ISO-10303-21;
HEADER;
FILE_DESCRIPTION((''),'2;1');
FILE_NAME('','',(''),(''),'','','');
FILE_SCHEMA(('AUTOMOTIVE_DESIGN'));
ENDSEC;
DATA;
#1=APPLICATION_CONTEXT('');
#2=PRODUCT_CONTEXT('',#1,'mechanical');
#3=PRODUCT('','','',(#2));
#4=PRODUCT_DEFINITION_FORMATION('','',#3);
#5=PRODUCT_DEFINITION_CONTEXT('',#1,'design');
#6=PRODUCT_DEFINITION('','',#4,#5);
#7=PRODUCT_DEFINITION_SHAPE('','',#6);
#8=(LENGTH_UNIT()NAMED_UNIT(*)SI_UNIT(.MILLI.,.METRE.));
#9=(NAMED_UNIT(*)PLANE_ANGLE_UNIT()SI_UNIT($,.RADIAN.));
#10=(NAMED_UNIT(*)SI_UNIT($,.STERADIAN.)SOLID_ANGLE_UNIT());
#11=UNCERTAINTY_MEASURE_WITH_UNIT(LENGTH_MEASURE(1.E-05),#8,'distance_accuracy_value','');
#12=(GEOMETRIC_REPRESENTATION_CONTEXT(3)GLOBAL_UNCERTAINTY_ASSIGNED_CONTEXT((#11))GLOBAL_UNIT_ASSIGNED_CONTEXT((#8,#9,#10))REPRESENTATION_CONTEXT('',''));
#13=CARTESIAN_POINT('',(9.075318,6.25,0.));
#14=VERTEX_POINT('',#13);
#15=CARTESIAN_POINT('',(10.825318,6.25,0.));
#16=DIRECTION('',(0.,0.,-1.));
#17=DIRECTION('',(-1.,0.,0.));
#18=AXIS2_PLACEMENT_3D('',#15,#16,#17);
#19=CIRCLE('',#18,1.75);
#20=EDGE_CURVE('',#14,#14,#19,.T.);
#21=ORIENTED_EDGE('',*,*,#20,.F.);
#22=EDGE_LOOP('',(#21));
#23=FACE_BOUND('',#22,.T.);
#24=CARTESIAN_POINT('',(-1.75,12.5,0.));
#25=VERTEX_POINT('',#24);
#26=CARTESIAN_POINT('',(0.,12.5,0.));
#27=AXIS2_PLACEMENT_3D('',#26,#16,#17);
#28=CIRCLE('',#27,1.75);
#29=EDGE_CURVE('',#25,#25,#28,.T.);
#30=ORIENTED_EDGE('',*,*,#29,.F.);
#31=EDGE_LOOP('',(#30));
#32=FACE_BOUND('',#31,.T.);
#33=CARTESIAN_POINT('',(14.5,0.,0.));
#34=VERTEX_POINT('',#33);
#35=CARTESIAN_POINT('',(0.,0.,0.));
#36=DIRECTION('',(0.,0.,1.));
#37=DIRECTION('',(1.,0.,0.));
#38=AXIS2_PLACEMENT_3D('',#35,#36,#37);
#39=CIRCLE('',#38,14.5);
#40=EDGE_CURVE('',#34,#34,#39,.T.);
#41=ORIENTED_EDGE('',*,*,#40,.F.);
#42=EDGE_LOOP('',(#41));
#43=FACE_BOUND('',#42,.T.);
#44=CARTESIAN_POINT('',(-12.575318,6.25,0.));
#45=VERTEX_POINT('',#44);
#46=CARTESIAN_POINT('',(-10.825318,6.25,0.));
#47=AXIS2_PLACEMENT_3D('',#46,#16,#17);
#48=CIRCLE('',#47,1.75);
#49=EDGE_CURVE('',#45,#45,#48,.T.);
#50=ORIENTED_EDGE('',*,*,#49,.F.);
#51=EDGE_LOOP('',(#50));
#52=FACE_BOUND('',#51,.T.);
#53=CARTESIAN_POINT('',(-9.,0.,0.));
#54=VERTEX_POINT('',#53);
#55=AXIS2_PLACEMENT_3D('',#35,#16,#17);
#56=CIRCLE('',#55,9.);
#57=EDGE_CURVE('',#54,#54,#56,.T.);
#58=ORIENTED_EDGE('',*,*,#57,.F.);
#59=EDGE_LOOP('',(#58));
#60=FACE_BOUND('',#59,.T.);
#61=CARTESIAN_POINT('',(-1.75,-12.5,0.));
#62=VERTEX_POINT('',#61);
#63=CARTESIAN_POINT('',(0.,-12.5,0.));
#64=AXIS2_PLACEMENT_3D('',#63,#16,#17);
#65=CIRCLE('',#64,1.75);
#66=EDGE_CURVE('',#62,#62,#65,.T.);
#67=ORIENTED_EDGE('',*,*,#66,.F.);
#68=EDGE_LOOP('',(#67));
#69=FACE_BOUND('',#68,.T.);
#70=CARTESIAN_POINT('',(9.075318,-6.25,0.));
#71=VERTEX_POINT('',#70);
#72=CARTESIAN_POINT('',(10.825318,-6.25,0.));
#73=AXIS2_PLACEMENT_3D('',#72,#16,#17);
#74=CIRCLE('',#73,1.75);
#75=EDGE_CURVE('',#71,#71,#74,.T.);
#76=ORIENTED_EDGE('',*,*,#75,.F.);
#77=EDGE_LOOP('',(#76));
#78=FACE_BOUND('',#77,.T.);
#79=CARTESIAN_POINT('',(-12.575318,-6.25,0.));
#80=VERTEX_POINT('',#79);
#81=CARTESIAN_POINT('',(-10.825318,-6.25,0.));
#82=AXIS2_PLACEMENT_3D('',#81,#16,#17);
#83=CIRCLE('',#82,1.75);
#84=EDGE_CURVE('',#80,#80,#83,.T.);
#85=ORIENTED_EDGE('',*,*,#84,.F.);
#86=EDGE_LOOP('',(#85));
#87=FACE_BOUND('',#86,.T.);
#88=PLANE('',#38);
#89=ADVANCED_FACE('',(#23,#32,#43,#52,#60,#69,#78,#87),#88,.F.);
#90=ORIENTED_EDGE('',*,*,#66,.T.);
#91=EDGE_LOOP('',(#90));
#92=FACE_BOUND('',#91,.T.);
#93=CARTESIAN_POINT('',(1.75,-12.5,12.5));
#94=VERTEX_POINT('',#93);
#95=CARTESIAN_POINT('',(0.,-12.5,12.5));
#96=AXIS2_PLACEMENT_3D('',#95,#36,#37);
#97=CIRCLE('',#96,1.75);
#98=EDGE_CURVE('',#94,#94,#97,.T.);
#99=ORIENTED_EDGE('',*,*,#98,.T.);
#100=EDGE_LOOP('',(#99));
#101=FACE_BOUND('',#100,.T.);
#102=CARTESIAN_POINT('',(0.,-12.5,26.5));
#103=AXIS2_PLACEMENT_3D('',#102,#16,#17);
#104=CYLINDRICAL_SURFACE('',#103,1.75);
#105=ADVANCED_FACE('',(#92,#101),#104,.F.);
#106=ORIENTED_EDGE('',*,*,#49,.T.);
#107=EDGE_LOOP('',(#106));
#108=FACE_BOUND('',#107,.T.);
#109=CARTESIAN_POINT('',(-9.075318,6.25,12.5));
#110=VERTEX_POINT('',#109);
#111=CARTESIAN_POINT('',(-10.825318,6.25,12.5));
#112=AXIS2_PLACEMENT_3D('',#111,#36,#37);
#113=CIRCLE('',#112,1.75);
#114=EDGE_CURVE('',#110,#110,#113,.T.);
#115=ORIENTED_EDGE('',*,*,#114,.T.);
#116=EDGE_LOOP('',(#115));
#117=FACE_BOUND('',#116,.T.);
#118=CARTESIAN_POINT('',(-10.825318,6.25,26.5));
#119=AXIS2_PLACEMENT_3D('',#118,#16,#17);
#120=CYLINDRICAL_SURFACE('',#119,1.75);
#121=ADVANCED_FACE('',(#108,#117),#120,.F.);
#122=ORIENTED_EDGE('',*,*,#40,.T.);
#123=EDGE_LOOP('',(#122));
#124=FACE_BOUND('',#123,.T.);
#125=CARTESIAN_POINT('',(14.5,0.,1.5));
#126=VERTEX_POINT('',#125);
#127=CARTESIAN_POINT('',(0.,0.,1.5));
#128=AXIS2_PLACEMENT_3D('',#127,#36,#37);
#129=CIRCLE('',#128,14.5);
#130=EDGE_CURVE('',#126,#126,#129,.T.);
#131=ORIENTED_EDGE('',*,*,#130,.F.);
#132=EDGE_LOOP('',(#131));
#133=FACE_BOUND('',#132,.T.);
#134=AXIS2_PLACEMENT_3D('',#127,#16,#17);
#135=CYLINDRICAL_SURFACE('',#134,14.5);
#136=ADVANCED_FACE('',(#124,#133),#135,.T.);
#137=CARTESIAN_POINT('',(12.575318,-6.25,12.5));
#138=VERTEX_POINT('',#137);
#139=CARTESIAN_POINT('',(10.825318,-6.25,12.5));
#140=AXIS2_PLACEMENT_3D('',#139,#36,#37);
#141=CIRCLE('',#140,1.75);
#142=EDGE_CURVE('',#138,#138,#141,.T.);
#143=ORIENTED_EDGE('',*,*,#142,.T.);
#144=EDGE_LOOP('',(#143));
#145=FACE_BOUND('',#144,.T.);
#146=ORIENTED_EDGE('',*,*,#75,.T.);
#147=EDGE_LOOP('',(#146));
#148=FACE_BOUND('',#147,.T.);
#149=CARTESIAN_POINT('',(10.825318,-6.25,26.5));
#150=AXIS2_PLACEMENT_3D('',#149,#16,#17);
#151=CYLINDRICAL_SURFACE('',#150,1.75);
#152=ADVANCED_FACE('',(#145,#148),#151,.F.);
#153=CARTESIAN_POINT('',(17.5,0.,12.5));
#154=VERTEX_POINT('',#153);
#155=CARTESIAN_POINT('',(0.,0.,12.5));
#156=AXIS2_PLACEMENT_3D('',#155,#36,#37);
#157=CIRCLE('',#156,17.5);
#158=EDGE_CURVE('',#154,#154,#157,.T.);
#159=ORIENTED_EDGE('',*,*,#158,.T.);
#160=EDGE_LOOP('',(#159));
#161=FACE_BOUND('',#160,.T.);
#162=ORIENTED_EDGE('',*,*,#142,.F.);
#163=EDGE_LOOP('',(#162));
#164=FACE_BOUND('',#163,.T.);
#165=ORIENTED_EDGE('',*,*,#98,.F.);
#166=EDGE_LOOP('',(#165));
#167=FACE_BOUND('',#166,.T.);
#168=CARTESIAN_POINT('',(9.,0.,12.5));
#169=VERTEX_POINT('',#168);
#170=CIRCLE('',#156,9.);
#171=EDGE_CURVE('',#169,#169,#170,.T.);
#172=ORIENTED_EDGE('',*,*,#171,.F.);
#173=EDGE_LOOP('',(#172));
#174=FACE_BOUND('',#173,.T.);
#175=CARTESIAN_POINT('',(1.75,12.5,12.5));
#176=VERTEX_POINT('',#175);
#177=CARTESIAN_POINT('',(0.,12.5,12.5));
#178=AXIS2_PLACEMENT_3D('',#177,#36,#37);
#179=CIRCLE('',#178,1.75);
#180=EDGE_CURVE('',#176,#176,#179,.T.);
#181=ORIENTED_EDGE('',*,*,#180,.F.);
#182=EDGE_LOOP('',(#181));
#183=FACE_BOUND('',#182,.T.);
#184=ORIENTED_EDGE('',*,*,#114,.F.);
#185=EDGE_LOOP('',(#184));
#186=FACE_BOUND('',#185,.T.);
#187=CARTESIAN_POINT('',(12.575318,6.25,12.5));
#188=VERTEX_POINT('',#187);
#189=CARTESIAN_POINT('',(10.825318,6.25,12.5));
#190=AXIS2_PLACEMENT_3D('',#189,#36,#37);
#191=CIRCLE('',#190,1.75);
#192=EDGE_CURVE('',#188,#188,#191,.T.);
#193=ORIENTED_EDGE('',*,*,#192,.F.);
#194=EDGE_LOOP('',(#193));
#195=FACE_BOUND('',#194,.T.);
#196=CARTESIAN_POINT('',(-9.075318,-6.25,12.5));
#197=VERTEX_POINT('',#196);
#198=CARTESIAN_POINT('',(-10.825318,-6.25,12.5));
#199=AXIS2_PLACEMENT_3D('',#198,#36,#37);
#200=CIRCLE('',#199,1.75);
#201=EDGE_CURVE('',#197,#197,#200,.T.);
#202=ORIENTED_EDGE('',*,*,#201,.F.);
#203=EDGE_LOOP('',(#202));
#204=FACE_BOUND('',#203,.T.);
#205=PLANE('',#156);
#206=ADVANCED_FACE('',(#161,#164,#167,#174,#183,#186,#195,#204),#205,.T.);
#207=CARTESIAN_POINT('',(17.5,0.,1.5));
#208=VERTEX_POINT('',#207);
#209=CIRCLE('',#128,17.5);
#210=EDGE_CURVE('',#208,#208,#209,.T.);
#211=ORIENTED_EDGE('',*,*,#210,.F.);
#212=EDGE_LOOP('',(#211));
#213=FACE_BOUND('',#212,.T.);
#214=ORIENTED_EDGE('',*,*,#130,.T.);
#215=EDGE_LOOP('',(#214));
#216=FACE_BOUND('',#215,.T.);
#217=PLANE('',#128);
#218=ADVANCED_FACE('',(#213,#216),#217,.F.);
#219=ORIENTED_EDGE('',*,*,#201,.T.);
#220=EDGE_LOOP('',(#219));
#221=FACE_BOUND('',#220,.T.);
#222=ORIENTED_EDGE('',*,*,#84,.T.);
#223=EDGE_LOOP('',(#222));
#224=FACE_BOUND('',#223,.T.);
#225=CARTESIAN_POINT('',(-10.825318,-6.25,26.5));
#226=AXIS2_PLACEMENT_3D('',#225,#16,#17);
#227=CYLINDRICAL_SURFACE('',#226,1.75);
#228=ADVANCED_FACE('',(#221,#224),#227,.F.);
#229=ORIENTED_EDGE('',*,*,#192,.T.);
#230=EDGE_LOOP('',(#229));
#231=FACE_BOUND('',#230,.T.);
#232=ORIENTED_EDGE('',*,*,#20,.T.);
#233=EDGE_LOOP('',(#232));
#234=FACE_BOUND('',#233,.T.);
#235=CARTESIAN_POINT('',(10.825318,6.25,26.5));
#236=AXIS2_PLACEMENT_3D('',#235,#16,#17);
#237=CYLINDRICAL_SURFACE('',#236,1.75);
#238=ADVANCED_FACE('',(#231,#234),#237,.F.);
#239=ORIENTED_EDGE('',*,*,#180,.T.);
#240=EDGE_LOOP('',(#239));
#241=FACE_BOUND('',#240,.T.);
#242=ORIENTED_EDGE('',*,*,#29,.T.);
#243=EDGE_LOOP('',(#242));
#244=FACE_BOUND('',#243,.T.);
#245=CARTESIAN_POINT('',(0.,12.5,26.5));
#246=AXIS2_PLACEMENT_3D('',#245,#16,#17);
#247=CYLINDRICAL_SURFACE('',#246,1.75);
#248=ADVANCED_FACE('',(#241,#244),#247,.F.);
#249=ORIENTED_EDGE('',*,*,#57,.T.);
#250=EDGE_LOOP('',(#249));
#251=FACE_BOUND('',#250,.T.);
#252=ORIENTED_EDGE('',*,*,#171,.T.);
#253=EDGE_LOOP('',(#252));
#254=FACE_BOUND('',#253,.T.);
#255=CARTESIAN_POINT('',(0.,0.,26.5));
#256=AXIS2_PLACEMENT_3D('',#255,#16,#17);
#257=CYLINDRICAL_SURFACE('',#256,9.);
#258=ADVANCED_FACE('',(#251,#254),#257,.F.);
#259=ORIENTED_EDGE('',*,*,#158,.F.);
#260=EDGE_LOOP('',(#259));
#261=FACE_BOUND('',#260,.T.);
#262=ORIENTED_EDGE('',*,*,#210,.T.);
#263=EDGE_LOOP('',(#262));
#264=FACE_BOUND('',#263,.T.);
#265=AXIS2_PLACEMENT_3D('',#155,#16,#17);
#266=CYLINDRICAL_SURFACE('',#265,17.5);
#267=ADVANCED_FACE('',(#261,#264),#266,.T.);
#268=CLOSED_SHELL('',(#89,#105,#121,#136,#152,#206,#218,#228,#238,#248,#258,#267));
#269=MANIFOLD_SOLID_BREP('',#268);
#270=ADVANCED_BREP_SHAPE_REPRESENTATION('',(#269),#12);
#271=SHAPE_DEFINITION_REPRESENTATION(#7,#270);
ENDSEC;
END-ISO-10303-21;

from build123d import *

# Parameters (mm, degrees)
SKETCH_1_R          = 14.5
EXTRUDE_1_DEPTH     = 1.5
SKETCH_2_R          = 17.5
EXTRUDE_2_DEPTH     = 11
SKETCH_3_R          = 1.75
SKETCH_3_R_2        = 9
CUT_EXTRUDE_1_DEPTH = 26.5


with BuildPart() as part:
    # 草图1 → 凸台-拉伸1 (new body)
    with BuildSketch(Plane.XY):
        Circle(SKETCH_1_R)
    extrude(amount=EXTRUDE_1_DEPTH)

    # 草图2 → 凸台-拉伸2 (add)
    with BuildSketch(Plane.XY.offset(1.5)):
        Circle(SKETCH_2_R)
    extrude(amount=EXTRUDE_2_DEPTH)

    # 草图3 → 切除-拉伸1 (cut)
    with BuildSketch(Plane(origin=(0, 0, 0), x_dir=(-1, 0, 0), z_dir=(0, 0, -1))):
        with Locations((0, 12.5)):
            Circle(SKETCH_3_R)
        Circle(SKETCH_3_R_2)
        with Locations((10.825317547, 6.25)):
            Circle(SKETCH_3_R)
        with Locations((10.825317547, -6.25)):
            Circle(SKETCH_3_R)
        with Locations((0, -12.5)):
            Circle(SKETCH_3_R)
        with Locations((-10.825317547, -6.25)):
            Circle(SKETCH_3_R)
        with Locations((-10.825317547, 6.25)):
            Circle(SKETCH_3_R)
    extrude(amount=-CUT_EXTRUDE_1_DEPTH, mode=Mode.SUBTRACT)


solid = part.part
